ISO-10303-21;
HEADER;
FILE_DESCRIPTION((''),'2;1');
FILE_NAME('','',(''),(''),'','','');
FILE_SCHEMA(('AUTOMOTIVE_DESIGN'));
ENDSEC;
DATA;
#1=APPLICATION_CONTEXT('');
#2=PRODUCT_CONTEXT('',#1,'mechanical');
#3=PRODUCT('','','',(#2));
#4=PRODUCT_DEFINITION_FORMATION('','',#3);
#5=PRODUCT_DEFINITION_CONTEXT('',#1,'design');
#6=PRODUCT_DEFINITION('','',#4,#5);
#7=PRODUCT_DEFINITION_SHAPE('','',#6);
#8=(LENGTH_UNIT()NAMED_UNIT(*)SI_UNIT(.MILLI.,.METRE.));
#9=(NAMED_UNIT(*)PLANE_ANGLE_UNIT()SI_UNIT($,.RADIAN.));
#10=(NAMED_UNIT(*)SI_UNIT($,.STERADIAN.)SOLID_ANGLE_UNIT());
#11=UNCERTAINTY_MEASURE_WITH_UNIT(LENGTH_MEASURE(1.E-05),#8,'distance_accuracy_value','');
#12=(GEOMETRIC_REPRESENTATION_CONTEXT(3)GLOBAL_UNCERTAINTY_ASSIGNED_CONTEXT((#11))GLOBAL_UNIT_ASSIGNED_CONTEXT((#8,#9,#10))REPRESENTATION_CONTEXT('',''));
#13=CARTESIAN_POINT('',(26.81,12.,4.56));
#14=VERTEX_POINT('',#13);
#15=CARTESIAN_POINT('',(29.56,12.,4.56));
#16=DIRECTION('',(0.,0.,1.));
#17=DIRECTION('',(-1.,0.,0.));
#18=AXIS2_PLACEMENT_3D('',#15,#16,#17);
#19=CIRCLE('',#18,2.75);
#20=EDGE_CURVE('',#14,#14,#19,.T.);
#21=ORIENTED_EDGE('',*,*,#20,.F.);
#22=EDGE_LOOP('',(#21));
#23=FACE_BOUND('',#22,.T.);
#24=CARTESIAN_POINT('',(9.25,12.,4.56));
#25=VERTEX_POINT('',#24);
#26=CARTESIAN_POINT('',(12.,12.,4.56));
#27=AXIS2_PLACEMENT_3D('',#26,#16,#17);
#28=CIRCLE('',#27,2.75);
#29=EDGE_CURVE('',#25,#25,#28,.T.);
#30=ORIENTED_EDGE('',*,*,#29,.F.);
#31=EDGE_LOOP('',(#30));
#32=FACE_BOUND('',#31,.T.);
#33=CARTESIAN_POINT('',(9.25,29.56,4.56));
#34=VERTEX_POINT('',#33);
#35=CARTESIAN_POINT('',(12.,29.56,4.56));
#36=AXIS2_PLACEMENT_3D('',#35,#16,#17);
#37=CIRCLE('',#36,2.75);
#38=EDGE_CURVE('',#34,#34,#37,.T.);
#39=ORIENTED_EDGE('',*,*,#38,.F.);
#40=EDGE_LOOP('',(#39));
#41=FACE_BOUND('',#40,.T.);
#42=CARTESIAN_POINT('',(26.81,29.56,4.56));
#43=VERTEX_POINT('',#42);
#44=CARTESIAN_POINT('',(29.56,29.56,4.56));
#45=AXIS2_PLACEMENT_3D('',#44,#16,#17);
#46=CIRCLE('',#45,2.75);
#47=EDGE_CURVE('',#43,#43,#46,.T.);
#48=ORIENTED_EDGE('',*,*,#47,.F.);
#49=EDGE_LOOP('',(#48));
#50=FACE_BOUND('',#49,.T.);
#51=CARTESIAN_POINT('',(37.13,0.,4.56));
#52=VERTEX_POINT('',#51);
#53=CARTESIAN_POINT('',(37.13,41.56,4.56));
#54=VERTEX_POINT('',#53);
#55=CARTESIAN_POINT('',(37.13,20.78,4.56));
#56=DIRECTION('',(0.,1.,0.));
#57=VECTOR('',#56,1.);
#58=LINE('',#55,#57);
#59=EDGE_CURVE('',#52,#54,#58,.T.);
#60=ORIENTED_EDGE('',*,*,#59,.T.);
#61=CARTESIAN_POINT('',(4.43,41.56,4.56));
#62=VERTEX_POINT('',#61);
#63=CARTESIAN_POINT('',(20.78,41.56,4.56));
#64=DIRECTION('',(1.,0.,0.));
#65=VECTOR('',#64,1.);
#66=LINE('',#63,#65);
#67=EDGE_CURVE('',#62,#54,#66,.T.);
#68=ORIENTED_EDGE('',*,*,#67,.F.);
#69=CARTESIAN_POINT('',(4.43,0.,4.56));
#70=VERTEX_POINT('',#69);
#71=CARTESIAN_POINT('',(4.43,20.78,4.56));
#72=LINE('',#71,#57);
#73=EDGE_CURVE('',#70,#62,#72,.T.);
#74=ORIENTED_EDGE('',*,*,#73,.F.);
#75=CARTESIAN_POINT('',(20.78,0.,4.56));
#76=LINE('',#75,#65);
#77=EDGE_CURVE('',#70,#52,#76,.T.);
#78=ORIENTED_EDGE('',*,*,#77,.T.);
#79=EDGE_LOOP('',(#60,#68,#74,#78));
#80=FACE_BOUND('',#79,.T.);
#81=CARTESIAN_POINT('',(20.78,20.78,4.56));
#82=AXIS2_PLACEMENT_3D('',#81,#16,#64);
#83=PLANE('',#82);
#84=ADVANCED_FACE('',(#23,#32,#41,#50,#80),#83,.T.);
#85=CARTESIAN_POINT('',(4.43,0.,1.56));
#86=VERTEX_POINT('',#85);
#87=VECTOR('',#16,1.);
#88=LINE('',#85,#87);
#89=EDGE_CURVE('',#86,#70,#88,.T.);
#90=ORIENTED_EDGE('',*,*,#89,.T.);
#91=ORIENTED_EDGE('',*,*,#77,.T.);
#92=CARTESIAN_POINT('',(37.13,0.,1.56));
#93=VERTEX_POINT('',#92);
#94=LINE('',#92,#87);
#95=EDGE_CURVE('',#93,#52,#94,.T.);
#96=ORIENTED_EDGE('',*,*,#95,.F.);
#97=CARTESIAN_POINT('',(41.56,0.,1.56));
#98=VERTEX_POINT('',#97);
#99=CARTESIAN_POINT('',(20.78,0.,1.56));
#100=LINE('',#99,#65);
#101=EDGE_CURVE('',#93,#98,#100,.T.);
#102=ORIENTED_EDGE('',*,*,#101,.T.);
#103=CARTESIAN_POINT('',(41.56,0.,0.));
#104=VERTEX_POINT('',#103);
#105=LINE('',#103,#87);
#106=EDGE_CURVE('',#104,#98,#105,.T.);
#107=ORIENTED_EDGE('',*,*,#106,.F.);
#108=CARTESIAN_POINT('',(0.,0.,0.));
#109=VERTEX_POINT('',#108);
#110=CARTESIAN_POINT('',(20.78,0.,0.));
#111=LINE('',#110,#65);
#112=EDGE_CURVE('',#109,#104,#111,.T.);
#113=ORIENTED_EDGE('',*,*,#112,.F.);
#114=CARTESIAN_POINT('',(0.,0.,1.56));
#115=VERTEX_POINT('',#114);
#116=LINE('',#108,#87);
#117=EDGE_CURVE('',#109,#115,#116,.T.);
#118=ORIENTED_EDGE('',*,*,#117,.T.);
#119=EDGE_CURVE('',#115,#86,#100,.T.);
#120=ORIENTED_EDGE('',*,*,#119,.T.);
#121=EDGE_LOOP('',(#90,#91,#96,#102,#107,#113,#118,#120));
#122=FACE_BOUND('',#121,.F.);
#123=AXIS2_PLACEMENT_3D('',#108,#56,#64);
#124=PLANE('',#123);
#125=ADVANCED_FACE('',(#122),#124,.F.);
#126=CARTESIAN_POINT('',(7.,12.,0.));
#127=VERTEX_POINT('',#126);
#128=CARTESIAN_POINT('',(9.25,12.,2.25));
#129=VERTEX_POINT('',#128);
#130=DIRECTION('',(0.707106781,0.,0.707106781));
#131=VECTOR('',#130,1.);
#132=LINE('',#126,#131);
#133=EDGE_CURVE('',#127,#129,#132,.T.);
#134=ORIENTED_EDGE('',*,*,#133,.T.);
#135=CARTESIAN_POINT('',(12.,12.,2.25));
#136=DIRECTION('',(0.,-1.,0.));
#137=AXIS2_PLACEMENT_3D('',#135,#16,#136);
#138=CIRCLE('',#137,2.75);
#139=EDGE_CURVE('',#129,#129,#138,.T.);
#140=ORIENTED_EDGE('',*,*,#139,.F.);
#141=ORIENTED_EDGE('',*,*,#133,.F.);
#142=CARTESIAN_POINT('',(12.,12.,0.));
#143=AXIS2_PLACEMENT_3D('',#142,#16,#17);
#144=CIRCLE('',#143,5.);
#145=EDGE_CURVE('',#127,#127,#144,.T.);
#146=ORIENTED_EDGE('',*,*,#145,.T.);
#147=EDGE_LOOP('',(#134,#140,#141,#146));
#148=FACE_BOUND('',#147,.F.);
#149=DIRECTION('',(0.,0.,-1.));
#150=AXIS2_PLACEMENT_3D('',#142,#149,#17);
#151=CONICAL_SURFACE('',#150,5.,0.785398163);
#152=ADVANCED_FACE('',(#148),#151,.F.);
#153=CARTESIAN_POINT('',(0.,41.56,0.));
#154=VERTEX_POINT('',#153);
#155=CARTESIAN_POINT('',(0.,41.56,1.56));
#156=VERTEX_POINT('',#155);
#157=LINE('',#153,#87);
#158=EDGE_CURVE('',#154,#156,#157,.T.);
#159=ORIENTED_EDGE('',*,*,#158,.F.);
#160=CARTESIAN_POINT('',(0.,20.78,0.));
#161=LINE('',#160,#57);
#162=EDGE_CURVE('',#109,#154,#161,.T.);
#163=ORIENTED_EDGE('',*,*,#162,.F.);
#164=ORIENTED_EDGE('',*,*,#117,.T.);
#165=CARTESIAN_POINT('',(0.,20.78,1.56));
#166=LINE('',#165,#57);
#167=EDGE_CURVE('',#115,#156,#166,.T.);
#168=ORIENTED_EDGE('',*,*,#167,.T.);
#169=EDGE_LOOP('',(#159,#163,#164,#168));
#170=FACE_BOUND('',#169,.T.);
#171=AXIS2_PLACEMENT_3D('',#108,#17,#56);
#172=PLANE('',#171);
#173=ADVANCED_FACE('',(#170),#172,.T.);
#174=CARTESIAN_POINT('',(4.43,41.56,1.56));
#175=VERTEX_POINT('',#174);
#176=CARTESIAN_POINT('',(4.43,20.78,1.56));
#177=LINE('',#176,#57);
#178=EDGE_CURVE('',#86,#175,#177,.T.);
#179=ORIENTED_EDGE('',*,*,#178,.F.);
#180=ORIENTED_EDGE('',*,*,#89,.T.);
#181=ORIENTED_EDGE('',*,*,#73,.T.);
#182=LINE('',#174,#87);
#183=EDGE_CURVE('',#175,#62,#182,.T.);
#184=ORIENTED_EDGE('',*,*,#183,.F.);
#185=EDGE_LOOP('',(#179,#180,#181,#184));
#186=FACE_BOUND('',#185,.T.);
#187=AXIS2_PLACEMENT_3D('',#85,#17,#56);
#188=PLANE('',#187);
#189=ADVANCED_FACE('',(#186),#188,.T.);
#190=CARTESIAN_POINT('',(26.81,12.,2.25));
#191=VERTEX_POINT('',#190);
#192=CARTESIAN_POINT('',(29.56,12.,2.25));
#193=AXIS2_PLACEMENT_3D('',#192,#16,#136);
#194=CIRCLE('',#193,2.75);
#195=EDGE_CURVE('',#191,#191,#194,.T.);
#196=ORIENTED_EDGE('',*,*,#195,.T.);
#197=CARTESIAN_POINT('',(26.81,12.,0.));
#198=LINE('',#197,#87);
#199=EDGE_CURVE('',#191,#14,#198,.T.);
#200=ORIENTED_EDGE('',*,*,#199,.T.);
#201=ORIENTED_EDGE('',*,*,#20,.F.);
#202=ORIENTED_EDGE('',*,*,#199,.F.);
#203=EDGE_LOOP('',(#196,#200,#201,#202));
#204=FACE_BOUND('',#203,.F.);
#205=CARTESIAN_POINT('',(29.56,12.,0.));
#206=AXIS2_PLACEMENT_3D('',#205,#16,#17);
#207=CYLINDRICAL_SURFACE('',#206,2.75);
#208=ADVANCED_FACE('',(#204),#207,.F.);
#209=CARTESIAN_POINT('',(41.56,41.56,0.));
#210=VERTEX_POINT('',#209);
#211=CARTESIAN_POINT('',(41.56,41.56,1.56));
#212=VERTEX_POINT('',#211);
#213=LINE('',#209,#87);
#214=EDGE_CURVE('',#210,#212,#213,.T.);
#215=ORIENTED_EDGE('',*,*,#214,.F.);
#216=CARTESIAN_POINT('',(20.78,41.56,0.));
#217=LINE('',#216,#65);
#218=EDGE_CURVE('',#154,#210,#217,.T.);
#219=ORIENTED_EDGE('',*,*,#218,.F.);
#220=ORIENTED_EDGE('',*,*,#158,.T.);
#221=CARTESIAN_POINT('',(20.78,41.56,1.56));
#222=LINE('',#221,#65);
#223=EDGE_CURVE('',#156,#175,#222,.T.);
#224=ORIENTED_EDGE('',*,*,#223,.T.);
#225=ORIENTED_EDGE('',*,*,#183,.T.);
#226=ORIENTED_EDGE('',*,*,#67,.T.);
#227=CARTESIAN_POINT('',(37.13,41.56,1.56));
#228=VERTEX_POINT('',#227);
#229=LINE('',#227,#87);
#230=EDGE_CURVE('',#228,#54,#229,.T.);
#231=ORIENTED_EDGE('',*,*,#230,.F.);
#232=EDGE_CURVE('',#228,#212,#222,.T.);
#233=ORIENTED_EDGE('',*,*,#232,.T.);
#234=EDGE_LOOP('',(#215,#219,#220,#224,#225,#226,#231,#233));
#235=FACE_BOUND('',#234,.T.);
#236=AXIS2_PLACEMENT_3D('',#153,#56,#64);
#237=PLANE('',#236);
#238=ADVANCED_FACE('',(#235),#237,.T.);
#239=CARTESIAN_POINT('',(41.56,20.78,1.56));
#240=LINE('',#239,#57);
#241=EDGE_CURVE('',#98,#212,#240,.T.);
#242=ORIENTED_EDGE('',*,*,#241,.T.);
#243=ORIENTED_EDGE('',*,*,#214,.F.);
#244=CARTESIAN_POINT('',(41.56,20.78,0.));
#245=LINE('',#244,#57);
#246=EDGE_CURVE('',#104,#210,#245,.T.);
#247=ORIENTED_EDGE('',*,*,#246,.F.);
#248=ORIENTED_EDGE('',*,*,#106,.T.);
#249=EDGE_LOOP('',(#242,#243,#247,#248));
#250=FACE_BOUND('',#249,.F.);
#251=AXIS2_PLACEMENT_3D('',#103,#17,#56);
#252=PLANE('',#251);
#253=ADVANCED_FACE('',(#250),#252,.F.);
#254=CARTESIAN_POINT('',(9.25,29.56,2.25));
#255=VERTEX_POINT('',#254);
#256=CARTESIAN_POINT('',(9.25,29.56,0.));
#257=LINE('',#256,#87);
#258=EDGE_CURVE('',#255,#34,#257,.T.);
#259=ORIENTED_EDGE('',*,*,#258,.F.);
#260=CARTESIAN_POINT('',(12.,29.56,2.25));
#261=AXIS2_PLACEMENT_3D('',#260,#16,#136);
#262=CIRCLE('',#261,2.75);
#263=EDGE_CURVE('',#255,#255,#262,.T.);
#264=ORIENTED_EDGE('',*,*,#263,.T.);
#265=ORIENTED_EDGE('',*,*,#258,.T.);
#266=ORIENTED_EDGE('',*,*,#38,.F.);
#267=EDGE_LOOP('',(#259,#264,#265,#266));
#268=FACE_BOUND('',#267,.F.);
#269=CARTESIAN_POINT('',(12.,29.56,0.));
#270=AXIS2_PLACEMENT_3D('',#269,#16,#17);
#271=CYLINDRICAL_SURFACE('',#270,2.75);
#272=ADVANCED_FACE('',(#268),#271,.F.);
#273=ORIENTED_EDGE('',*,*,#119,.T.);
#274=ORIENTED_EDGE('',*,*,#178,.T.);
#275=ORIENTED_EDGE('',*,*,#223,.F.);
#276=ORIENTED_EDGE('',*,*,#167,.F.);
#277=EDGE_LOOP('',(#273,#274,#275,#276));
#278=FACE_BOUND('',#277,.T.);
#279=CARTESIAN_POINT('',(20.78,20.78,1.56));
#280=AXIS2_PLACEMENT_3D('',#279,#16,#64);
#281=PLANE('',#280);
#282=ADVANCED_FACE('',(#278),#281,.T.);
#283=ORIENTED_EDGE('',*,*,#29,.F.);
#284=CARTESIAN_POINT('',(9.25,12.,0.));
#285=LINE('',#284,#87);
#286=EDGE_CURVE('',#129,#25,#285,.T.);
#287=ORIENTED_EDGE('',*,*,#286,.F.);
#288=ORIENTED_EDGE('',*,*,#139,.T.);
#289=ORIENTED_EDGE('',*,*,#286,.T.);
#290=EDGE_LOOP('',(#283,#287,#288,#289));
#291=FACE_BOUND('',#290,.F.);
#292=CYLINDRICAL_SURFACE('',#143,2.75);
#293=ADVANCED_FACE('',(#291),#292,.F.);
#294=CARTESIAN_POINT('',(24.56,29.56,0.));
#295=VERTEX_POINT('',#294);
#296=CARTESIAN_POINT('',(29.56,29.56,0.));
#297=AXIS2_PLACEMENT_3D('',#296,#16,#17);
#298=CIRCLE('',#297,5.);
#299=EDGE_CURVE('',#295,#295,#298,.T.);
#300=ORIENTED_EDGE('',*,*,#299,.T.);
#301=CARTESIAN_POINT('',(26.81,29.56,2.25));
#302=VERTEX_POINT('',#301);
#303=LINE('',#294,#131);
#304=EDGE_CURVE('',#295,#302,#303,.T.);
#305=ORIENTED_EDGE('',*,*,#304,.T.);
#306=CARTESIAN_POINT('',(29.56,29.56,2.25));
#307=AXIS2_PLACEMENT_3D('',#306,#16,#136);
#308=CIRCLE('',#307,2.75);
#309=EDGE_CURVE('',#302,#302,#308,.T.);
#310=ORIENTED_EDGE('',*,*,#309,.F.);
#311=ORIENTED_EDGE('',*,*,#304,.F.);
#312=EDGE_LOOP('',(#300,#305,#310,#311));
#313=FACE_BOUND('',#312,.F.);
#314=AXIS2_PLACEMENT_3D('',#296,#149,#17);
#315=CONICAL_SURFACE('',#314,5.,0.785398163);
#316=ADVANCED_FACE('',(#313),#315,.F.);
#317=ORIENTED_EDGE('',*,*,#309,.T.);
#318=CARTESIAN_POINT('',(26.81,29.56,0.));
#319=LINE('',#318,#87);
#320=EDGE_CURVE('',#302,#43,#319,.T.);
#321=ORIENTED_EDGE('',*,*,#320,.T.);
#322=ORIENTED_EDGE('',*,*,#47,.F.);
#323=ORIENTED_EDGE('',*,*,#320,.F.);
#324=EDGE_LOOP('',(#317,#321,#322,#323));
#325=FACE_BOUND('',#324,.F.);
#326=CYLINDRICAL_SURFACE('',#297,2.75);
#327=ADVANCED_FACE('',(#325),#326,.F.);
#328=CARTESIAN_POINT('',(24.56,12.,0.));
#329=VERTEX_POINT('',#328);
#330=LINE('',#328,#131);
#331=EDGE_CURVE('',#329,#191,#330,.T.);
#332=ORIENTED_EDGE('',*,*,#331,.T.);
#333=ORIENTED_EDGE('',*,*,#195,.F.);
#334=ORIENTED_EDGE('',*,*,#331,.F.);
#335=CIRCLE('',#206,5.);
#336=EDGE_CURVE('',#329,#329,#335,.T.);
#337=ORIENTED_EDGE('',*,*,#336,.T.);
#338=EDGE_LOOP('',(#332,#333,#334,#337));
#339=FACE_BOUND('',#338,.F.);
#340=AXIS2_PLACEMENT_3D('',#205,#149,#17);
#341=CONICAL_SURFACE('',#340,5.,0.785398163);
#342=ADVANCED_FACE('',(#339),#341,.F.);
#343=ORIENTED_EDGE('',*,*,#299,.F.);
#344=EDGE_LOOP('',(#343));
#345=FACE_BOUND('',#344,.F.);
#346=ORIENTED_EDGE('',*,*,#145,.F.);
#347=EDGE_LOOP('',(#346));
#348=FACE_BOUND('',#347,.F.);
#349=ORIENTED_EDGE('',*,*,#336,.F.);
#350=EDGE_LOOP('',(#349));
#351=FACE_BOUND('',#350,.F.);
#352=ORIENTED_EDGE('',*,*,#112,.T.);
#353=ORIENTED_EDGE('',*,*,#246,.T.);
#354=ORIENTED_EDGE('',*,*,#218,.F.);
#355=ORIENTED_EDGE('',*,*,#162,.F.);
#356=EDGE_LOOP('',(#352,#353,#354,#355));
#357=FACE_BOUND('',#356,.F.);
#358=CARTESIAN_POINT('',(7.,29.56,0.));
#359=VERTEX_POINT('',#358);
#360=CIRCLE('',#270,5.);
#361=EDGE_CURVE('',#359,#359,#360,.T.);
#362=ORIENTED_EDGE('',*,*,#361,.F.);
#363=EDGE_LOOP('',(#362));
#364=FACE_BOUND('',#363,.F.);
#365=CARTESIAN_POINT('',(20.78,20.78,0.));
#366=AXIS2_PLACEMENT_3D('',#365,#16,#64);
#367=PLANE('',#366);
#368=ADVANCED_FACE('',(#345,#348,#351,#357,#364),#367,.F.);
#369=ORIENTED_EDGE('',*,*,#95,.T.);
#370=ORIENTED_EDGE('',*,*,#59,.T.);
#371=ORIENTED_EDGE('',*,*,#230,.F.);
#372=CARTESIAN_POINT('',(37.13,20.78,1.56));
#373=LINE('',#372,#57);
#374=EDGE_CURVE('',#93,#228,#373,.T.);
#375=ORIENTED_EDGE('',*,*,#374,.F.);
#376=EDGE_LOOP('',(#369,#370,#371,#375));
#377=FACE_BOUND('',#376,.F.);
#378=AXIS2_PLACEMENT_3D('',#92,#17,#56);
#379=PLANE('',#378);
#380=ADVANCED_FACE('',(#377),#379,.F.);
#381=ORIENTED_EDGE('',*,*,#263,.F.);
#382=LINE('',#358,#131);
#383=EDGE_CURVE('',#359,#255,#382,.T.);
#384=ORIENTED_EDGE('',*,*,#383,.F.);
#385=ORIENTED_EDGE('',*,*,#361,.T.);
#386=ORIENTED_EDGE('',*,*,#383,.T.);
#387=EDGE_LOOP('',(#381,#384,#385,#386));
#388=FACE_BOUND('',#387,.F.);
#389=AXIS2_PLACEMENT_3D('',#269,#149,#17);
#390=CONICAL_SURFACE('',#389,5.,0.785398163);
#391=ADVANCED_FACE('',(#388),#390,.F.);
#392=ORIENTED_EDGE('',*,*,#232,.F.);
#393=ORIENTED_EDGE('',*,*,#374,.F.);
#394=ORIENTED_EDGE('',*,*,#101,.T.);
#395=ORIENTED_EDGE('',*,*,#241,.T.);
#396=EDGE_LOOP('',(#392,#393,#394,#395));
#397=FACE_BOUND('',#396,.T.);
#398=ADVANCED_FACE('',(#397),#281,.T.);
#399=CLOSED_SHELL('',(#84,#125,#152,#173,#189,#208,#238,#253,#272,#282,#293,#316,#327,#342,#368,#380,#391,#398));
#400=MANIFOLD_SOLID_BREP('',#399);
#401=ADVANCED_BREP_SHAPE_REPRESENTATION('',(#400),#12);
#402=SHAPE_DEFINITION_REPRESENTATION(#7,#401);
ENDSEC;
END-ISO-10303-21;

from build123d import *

# Parameters (mm, degrees)
F0_W           = 41.56
F0_H           = 41.56
F1_DEPTH       = 1.56
F2_W           = 32.7
F2_H           = 41.56
F3_DEPTH       = 3
F5_D           = 5.5
F5_DEPTH       = 8
F5_CSINK_D     = 10
F5_CSINK_ANGLE = 90


with BuildPart() as f1:
    # F0 (on Top) → F1 (new body)
    with BuildSketch(Plane.XY):
        with Locations((20.78, 20.78)):
            Rectangle(F0_W, F0_H)
    extrude(amount=F1_DEPTH)

    # F2 (on face) → F3 (join)
    with BuildSketch(Plane.XY.offset(1.56)):
        with Locations((20.78, 20.78)):
            Rectangle(F2_W, F2_H)
    extrude(amount=F3_DEPTH)

    # F5
    with Locations(Plane(origin=(0, 0, 0), x_dir=(1, 0, 0), z_dir=(0, 0, -1))):
        with Locations((12, -12), (29.56, -12), (12, -29.56), (29.56, -29.56)):
            CounterSinkHole(F5_D / 2, F5_CSINK_D / 2, depth=F5_DEPTH, counter_sink_angle=F5_CSINK_ANGLE)


solid = f1.part
